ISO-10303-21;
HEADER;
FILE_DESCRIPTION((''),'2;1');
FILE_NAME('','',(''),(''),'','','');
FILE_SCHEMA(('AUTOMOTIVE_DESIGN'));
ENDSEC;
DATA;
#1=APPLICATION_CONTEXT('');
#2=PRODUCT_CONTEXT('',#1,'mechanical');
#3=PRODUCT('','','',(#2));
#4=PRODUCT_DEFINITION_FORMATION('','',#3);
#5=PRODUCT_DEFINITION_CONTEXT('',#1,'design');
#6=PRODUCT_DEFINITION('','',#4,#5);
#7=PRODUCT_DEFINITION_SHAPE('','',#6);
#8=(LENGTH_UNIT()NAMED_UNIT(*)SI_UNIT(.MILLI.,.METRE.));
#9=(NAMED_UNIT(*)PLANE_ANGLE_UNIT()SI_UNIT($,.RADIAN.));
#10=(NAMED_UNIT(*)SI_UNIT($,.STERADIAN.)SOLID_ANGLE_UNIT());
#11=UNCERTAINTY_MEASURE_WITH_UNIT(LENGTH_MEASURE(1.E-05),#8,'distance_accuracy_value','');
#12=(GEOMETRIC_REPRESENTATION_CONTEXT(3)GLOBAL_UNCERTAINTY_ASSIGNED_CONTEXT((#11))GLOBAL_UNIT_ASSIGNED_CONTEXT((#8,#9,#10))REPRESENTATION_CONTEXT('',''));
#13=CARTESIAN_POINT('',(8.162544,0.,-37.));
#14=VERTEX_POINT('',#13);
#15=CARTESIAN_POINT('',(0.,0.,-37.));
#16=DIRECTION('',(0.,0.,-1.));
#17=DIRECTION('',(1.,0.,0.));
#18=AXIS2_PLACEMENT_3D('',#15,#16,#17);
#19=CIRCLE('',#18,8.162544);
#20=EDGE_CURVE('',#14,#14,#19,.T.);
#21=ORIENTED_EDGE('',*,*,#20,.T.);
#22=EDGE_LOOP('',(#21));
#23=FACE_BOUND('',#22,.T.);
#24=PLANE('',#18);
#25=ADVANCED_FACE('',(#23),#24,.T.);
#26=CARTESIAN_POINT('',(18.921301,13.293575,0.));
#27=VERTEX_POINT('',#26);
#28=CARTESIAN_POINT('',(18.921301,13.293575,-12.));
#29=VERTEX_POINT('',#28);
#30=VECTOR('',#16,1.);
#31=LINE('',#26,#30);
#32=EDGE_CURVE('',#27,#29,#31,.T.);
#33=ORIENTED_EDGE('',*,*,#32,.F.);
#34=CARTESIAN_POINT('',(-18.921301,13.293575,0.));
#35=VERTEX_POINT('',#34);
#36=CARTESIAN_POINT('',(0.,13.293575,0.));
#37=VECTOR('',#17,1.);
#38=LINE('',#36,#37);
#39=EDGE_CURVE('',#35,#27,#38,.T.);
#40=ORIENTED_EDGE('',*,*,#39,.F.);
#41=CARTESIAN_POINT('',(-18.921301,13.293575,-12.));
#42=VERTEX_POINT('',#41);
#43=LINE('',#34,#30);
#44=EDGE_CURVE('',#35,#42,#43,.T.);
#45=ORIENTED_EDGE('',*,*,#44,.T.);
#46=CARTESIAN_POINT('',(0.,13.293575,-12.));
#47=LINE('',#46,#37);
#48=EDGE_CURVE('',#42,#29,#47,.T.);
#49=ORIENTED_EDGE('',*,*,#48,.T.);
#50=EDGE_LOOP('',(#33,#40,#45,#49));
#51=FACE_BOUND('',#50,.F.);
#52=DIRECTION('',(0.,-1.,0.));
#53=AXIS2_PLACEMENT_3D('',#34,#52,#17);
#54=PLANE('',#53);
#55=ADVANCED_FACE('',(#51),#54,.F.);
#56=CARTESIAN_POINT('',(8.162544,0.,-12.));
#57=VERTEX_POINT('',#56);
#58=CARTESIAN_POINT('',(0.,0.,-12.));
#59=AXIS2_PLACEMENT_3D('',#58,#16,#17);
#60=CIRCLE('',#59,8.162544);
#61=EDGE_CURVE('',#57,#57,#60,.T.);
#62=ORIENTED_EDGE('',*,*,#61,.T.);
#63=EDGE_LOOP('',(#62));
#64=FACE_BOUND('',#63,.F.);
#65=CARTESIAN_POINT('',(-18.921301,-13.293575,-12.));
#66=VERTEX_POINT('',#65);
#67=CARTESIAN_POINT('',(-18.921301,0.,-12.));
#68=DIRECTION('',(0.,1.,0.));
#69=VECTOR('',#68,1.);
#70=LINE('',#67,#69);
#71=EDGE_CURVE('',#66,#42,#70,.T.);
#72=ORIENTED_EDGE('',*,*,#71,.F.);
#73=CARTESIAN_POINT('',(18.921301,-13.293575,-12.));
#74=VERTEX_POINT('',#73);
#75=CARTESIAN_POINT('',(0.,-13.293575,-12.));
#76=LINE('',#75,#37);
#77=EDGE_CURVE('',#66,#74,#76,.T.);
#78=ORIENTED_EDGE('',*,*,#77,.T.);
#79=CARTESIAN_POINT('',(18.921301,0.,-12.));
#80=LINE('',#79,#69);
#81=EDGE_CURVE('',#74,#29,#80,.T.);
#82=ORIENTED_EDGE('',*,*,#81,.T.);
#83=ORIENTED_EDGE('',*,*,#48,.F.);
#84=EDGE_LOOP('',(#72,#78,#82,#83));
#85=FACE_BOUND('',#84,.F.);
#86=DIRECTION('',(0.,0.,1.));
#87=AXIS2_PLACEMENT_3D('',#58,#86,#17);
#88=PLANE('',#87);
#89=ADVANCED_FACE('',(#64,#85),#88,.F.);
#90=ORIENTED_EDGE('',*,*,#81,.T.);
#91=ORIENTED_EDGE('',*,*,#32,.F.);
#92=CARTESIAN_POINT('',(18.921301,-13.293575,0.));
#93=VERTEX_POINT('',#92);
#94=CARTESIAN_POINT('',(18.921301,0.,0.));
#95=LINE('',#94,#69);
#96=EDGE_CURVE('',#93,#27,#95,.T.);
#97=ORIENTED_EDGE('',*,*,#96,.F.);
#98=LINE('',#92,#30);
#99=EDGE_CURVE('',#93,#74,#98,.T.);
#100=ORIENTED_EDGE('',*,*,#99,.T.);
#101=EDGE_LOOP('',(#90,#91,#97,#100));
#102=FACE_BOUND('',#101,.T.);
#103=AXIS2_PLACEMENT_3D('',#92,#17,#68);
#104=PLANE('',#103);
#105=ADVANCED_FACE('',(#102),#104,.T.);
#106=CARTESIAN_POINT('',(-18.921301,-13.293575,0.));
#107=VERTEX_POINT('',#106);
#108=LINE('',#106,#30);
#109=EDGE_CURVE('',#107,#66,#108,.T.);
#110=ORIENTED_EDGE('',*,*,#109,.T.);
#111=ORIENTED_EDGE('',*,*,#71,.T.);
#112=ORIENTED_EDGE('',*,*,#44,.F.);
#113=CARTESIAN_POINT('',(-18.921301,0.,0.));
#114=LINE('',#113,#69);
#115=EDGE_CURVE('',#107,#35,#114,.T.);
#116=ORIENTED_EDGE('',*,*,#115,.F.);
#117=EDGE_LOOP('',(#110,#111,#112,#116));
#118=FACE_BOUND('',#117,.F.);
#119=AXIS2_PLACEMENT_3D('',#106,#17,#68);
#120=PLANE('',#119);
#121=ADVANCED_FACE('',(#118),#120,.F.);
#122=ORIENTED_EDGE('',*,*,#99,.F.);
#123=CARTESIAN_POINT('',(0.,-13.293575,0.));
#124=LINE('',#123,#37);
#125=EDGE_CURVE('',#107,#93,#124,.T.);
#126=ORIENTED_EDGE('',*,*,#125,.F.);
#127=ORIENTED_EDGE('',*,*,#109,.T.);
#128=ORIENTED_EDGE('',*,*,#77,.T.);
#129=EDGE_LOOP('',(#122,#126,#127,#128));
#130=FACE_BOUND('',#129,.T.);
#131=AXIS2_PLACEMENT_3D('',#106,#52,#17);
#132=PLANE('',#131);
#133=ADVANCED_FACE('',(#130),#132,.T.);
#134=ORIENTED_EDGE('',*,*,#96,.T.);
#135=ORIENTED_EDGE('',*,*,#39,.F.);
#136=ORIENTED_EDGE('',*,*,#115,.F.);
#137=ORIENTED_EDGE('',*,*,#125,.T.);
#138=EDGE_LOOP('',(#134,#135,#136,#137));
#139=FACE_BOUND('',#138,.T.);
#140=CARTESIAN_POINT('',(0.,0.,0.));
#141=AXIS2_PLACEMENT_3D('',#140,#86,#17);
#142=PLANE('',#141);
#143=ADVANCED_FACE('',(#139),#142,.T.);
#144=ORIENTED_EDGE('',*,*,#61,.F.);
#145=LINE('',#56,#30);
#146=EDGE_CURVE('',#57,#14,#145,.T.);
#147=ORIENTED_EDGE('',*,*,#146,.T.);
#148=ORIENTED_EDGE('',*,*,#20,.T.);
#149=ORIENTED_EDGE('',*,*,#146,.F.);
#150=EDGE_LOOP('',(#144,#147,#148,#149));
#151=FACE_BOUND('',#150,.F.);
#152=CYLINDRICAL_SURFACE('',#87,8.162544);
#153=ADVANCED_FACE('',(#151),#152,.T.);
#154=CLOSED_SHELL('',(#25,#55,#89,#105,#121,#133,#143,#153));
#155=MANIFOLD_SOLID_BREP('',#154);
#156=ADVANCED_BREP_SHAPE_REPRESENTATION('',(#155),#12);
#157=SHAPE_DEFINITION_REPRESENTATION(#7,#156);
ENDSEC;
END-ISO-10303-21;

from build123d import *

# Parameters (mm, degrees)
F0_W     = 37.842602
F0_H     = 26.58715
F1_DEPTH = 12
F2_R     = 8.162544
F3_DEPTH = 25


with BuildPart() as f1:
    # F0 (on Top) → F1 (new body)
    with BuildSketch(Plane.XY):
        Rectangle(F0_W, F0_H)
    extrude(amount=-F1_DEPTH)

    # F2 (on face) → F3 (join)
    with BuildSketch(Plane(origin=(0, 0, -12), x_dir=(1, 0, 0), z_dir=(0, 0, -1))):
        Circle(F2_R)
    extrude(amount=F3_DEPTH)


solid = f1.part
